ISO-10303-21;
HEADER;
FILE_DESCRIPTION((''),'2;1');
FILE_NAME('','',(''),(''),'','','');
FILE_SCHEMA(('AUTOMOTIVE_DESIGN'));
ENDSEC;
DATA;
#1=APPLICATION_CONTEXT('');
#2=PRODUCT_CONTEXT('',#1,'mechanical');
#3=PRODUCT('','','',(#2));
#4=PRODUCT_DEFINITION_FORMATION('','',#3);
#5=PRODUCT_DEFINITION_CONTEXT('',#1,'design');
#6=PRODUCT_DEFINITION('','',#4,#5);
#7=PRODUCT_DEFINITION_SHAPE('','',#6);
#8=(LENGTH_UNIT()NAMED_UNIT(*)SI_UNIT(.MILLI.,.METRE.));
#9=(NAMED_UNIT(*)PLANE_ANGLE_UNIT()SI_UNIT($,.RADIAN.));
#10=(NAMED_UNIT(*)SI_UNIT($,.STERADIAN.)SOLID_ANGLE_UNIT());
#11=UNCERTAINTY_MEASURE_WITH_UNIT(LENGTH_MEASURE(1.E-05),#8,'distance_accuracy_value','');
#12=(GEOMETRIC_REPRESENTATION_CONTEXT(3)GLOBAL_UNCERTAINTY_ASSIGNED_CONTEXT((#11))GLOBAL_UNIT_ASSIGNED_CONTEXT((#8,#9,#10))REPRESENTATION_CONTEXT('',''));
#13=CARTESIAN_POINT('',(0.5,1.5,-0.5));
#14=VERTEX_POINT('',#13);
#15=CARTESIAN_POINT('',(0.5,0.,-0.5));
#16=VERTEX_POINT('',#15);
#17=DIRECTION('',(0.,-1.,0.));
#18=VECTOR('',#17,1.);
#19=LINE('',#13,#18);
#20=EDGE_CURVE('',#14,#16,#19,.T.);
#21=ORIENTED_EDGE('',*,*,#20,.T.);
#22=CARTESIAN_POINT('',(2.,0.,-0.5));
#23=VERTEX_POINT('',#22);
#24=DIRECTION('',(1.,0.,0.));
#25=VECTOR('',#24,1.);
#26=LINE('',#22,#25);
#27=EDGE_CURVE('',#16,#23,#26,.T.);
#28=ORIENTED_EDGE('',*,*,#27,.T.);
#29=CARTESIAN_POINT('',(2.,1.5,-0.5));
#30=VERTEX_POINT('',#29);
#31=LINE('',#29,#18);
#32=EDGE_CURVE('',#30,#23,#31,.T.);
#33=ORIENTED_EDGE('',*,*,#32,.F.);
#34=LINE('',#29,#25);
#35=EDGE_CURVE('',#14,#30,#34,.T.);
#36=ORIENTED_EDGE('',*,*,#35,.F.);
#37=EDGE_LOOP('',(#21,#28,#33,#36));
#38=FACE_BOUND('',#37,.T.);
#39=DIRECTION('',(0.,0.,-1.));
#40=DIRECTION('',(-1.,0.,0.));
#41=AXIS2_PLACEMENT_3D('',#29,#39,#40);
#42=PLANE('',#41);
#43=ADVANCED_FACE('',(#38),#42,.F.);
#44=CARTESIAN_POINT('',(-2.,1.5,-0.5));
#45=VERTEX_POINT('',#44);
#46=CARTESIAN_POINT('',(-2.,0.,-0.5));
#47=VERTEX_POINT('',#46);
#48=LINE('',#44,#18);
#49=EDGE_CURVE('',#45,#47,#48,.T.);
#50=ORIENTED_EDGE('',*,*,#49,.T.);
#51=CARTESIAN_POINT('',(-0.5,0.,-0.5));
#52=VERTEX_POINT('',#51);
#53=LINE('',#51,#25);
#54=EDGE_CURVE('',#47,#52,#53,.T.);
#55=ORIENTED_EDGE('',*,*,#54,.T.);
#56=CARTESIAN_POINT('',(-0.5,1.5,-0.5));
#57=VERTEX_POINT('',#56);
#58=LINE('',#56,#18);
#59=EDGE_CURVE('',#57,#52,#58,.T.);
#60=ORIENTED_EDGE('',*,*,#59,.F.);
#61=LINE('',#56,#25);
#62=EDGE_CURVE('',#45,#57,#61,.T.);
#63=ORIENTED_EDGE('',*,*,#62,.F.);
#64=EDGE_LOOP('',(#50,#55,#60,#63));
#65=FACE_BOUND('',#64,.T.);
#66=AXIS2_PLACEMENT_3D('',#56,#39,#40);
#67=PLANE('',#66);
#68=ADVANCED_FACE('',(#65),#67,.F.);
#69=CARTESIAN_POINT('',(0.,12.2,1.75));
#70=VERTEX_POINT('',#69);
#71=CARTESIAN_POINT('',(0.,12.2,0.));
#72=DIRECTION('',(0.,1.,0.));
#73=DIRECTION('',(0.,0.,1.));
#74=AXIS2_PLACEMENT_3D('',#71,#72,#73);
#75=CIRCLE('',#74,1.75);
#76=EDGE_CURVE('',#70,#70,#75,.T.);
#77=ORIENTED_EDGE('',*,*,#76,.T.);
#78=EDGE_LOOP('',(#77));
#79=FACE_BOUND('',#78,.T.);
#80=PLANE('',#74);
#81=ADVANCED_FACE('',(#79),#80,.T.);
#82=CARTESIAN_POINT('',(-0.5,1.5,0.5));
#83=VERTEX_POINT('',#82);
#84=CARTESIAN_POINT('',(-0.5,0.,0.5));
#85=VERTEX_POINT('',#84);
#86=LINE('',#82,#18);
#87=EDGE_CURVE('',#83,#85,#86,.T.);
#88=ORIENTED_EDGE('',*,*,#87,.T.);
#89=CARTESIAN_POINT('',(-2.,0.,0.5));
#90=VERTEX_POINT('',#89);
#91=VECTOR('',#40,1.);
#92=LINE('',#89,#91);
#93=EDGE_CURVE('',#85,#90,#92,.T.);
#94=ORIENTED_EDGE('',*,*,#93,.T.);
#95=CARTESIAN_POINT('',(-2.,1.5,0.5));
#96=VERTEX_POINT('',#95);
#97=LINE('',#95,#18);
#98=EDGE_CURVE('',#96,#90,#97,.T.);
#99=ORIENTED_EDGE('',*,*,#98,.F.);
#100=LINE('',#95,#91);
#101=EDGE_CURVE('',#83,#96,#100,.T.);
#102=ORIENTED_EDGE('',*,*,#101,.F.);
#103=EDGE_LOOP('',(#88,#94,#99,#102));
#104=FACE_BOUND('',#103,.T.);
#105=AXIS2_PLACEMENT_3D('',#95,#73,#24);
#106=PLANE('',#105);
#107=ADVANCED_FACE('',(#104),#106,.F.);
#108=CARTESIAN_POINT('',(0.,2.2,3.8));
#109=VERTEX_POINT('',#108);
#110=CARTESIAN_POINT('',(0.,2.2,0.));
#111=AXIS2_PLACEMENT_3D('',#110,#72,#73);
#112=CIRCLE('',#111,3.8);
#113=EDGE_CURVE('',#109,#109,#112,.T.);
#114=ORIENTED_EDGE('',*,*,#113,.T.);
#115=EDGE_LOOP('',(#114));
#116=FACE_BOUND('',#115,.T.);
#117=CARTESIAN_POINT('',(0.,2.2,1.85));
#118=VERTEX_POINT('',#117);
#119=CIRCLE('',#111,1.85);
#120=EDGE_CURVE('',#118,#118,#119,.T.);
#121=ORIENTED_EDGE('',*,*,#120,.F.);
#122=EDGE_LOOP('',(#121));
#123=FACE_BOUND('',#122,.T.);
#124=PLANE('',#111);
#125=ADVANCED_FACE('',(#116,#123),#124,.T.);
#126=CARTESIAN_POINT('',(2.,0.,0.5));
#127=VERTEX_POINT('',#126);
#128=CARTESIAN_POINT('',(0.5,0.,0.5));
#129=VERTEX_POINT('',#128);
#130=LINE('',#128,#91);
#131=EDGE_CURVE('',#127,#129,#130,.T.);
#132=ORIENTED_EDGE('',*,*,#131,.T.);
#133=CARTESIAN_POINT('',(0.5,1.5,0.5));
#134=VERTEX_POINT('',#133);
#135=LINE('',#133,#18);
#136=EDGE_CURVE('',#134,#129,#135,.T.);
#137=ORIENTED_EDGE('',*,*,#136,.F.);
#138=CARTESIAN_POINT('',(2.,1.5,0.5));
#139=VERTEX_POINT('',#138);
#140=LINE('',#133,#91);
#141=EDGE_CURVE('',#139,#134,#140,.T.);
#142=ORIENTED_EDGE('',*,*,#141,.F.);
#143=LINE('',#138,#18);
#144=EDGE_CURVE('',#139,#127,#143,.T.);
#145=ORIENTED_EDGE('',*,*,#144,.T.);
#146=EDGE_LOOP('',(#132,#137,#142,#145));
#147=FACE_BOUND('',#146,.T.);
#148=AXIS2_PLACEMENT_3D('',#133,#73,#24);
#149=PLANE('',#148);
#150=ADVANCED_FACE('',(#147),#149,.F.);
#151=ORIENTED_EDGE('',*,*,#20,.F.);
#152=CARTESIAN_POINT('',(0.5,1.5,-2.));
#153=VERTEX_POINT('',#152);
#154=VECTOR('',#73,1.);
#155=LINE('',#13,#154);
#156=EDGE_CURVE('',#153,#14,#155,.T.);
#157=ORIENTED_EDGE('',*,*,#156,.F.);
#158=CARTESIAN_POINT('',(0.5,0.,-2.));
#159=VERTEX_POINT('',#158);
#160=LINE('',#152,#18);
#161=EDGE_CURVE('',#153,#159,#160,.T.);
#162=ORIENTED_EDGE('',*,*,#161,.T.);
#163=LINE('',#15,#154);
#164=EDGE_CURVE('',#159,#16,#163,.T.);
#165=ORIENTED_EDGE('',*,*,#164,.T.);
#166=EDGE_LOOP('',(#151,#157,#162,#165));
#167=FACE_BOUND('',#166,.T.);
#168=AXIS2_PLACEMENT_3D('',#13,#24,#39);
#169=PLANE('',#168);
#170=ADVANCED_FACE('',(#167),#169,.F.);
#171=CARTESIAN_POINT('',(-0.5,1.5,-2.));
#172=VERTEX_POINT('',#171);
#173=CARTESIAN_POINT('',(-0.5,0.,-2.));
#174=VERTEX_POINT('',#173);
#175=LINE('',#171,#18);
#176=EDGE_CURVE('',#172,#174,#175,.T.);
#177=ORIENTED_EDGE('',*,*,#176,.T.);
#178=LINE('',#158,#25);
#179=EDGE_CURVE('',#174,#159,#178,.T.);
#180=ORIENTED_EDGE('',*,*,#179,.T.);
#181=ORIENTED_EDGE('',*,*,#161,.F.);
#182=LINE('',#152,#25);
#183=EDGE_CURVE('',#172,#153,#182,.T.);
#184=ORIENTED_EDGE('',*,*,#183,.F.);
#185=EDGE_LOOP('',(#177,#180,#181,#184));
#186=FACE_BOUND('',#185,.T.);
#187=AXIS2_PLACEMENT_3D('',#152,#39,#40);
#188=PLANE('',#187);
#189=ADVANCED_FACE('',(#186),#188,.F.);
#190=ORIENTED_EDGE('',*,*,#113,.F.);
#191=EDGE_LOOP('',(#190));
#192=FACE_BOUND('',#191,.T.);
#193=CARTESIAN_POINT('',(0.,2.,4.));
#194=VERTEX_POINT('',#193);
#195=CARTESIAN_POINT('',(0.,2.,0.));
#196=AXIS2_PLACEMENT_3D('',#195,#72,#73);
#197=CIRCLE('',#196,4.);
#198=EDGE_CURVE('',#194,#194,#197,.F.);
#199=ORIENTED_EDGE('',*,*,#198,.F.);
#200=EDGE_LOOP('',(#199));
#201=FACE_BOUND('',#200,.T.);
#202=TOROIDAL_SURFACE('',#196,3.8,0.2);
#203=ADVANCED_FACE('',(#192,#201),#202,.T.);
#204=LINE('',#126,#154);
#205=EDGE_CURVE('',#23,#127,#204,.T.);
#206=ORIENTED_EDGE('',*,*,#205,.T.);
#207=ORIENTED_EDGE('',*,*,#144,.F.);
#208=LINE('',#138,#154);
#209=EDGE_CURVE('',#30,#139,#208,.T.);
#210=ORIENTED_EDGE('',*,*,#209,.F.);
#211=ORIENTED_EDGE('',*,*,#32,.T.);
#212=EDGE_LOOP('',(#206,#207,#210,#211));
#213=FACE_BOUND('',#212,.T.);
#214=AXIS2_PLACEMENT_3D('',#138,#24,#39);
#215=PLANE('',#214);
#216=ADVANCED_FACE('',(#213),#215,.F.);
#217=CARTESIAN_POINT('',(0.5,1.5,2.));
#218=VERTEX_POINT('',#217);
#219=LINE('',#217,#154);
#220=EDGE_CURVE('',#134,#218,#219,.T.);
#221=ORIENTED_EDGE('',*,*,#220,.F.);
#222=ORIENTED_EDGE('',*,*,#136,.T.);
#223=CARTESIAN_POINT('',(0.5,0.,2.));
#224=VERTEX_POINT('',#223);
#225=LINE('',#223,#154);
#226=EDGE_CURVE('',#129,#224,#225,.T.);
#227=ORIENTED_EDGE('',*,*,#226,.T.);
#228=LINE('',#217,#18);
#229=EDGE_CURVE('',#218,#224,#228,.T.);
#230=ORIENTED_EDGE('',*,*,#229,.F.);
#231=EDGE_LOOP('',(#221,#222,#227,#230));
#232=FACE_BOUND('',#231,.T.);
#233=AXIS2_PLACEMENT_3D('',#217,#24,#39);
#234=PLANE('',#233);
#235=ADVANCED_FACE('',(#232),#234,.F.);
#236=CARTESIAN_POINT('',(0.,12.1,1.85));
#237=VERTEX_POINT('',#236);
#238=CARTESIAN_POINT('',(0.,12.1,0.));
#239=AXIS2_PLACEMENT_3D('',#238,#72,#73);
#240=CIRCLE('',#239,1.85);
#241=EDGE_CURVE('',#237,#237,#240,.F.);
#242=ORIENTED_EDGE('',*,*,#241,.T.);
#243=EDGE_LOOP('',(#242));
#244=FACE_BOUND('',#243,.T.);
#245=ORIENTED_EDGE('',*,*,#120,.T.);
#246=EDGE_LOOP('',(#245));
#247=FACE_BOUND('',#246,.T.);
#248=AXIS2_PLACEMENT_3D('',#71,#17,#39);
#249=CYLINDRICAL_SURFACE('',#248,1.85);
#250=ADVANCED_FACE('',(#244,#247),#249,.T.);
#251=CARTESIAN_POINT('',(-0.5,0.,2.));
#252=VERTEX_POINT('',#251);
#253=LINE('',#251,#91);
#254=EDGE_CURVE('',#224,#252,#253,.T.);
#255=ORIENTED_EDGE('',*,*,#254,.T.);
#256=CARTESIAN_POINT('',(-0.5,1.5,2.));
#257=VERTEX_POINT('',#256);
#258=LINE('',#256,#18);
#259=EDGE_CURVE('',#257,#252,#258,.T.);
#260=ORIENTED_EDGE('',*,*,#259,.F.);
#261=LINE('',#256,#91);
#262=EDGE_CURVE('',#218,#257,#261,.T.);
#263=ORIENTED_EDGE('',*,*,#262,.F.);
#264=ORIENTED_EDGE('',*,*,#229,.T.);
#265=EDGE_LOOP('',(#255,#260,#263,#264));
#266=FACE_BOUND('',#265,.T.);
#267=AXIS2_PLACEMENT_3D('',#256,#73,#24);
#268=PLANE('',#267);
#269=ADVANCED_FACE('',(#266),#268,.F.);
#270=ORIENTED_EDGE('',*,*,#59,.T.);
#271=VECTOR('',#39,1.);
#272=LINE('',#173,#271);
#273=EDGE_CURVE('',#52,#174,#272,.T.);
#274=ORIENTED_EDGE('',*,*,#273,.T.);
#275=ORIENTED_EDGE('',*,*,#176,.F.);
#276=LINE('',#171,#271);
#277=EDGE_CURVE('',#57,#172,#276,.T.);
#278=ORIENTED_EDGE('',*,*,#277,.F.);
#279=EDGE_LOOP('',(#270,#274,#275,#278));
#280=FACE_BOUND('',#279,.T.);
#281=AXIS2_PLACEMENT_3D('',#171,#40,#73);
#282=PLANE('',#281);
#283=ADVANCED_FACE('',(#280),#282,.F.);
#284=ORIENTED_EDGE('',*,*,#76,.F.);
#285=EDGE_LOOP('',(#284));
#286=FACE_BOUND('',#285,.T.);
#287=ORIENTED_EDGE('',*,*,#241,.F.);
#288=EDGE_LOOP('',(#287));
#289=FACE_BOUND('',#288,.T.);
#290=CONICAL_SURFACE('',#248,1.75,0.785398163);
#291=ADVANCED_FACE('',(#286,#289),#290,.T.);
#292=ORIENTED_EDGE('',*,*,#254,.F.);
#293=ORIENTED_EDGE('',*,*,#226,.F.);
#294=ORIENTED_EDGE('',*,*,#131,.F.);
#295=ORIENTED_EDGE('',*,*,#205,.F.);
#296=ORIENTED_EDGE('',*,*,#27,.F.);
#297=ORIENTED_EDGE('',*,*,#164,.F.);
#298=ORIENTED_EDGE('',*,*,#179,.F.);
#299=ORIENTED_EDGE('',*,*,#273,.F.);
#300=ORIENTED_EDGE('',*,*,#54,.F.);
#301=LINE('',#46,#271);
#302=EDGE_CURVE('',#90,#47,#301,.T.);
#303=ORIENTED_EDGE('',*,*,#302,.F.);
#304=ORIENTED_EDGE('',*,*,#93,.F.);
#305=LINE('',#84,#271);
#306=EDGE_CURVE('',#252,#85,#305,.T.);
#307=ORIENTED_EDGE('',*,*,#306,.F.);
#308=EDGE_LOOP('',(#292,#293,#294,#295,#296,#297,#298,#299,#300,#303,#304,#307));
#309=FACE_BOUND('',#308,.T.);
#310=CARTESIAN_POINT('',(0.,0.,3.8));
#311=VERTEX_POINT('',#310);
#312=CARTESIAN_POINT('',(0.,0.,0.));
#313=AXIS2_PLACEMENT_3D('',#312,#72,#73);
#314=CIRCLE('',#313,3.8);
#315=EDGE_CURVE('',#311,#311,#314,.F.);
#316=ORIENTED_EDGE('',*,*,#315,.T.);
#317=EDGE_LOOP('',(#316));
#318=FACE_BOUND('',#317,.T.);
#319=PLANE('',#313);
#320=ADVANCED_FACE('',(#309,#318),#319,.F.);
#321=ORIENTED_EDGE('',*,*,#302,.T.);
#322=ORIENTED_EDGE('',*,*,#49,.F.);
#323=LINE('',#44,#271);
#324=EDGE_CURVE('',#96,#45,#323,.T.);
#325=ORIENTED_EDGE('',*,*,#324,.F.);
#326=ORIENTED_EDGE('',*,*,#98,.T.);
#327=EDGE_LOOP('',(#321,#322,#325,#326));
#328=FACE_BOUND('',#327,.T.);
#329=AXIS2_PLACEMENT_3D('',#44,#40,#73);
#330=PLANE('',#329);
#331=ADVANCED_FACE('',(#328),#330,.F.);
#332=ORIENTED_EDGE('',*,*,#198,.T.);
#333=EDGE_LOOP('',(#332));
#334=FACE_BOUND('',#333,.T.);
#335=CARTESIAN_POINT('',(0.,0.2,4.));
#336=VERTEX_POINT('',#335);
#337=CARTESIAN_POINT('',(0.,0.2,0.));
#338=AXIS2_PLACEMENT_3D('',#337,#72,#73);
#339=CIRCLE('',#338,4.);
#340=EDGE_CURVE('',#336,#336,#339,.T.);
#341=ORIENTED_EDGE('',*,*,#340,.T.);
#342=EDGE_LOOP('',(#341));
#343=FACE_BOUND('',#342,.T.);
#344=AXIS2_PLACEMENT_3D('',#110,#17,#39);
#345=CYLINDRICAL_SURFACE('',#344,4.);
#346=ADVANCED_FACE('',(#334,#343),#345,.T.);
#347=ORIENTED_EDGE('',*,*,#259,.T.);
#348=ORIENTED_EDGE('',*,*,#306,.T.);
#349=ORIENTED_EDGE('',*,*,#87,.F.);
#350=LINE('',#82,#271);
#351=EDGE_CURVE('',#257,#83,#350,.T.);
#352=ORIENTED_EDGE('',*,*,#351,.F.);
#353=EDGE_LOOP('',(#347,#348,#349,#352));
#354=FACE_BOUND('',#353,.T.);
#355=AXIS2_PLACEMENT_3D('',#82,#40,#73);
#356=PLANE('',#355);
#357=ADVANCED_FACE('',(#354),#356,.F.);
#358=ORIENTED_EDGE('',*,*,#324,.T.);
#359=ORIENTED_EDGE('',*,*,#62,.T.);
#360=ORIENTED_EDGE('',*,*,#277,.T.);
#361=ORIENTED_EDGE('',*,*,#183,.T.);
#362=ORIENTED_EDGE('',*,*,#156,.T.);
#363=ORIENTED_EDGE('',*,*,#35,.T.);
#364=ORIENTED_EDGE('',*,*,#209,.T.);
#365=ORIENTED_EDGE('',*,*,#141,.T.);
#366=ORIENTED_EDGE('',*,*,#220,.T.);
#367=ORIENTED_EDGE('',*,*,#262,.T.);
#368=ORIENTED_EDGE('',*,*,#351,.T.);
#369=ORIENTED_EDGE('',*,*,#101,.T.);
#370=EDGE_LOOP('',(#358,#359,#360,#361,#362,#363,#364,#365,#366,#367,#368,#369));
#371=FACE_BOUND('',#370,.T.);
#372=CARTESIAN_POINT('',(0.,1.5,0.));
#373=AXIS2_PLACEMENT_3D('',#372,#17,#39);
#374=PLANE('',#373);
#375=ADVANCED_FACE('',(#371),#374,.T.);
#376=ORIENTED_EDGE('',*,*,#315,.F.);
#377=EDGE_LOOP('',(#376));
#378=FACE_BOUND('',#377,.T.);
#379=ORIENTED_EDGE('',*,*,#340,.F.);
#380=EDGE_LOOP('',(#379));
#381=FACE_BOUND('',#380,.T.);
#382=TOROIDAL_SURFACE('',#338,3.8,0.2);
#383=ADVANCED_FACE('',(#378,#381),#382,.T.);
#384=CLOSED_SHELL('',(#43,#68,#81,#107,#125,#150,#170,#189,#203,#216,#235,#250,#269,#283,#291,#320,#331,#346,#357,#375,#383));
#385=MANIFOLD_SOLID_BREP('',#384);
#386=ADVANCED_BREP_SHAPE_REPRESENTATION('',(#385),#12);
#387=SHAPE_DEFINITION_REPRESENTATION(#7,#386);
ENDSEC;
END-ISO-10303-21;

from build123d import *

# Parameters (mm, degrees)
SKETCH_1_R          = 4
EXTRUDE_1_DEPTH     = 2.2
SKETCH_2_R          = 1.85
EXTRUDE_2_DEPTH     = 10
CHAMFER_1_SIZE      = 0.1
FILLET_1_R          = 0.2
CUT_EXTRUDE_1_DEPTH = 1.5


with BuildPart() as part:
    # Эскиз1 → Бобышка-Вытянуть1 (new body)
    with BuildSketch(Plane(origin=(0, 0, 0), x_dir=(1, 0, 0), z_dir=(0, 1, 0))):
        Circle(SKETCH_1_R)
    extrude(amount=EXTRUDE_1_DEPTH)

    # Эскиз2 → Бобышка-Вытянуть2 (add)
    with BuildSketch(Plane(origin=(0, 2.2, 0), x_dir=(1, 0, 0), z_dir=(0, 1, 0))):
        Circle(SKETCH_2_R)
    extrude(amount=EXTRUDE_2_DEPTH)

    # Фаска1
    chamfer_1_edges = [part.edges().sort_by_distance(p)[0] for p in [
        (-1.85, 12.2, 0),
    ]]
    chamfer(chamfer_1_edges, length=CHAMFER_1_SIZE)

    # Скругление1
    fillet_1_edges = [part.edges().sort_by_distance(p)[0] for p in [
        (-4, 0, 0),
        (-4, 2.2, 0),
    ]]
    fillet(fillet_1_edges, radius=FILLET_1_R)

    # Эскиз3 → Вырез-Вытянуть1 (cut)
    with BuildSketch(Plane.XZ):
        Polygon((-0.5, 0.5), (-0.5, 2), (0.5, 2), (0.5, 0.5), (2, 0.5), (2, -0.5), (0.5, -0.5), (0.5, -2), (-0.5, -2), (-0.5, -0.5), (-2, -0.5), (-2, 0.5), align=None)
    extrude(amount=-CUT_EXTRUDE_1_DEPTH, mode=Mode.SUBTRACT)


solid = part.part
